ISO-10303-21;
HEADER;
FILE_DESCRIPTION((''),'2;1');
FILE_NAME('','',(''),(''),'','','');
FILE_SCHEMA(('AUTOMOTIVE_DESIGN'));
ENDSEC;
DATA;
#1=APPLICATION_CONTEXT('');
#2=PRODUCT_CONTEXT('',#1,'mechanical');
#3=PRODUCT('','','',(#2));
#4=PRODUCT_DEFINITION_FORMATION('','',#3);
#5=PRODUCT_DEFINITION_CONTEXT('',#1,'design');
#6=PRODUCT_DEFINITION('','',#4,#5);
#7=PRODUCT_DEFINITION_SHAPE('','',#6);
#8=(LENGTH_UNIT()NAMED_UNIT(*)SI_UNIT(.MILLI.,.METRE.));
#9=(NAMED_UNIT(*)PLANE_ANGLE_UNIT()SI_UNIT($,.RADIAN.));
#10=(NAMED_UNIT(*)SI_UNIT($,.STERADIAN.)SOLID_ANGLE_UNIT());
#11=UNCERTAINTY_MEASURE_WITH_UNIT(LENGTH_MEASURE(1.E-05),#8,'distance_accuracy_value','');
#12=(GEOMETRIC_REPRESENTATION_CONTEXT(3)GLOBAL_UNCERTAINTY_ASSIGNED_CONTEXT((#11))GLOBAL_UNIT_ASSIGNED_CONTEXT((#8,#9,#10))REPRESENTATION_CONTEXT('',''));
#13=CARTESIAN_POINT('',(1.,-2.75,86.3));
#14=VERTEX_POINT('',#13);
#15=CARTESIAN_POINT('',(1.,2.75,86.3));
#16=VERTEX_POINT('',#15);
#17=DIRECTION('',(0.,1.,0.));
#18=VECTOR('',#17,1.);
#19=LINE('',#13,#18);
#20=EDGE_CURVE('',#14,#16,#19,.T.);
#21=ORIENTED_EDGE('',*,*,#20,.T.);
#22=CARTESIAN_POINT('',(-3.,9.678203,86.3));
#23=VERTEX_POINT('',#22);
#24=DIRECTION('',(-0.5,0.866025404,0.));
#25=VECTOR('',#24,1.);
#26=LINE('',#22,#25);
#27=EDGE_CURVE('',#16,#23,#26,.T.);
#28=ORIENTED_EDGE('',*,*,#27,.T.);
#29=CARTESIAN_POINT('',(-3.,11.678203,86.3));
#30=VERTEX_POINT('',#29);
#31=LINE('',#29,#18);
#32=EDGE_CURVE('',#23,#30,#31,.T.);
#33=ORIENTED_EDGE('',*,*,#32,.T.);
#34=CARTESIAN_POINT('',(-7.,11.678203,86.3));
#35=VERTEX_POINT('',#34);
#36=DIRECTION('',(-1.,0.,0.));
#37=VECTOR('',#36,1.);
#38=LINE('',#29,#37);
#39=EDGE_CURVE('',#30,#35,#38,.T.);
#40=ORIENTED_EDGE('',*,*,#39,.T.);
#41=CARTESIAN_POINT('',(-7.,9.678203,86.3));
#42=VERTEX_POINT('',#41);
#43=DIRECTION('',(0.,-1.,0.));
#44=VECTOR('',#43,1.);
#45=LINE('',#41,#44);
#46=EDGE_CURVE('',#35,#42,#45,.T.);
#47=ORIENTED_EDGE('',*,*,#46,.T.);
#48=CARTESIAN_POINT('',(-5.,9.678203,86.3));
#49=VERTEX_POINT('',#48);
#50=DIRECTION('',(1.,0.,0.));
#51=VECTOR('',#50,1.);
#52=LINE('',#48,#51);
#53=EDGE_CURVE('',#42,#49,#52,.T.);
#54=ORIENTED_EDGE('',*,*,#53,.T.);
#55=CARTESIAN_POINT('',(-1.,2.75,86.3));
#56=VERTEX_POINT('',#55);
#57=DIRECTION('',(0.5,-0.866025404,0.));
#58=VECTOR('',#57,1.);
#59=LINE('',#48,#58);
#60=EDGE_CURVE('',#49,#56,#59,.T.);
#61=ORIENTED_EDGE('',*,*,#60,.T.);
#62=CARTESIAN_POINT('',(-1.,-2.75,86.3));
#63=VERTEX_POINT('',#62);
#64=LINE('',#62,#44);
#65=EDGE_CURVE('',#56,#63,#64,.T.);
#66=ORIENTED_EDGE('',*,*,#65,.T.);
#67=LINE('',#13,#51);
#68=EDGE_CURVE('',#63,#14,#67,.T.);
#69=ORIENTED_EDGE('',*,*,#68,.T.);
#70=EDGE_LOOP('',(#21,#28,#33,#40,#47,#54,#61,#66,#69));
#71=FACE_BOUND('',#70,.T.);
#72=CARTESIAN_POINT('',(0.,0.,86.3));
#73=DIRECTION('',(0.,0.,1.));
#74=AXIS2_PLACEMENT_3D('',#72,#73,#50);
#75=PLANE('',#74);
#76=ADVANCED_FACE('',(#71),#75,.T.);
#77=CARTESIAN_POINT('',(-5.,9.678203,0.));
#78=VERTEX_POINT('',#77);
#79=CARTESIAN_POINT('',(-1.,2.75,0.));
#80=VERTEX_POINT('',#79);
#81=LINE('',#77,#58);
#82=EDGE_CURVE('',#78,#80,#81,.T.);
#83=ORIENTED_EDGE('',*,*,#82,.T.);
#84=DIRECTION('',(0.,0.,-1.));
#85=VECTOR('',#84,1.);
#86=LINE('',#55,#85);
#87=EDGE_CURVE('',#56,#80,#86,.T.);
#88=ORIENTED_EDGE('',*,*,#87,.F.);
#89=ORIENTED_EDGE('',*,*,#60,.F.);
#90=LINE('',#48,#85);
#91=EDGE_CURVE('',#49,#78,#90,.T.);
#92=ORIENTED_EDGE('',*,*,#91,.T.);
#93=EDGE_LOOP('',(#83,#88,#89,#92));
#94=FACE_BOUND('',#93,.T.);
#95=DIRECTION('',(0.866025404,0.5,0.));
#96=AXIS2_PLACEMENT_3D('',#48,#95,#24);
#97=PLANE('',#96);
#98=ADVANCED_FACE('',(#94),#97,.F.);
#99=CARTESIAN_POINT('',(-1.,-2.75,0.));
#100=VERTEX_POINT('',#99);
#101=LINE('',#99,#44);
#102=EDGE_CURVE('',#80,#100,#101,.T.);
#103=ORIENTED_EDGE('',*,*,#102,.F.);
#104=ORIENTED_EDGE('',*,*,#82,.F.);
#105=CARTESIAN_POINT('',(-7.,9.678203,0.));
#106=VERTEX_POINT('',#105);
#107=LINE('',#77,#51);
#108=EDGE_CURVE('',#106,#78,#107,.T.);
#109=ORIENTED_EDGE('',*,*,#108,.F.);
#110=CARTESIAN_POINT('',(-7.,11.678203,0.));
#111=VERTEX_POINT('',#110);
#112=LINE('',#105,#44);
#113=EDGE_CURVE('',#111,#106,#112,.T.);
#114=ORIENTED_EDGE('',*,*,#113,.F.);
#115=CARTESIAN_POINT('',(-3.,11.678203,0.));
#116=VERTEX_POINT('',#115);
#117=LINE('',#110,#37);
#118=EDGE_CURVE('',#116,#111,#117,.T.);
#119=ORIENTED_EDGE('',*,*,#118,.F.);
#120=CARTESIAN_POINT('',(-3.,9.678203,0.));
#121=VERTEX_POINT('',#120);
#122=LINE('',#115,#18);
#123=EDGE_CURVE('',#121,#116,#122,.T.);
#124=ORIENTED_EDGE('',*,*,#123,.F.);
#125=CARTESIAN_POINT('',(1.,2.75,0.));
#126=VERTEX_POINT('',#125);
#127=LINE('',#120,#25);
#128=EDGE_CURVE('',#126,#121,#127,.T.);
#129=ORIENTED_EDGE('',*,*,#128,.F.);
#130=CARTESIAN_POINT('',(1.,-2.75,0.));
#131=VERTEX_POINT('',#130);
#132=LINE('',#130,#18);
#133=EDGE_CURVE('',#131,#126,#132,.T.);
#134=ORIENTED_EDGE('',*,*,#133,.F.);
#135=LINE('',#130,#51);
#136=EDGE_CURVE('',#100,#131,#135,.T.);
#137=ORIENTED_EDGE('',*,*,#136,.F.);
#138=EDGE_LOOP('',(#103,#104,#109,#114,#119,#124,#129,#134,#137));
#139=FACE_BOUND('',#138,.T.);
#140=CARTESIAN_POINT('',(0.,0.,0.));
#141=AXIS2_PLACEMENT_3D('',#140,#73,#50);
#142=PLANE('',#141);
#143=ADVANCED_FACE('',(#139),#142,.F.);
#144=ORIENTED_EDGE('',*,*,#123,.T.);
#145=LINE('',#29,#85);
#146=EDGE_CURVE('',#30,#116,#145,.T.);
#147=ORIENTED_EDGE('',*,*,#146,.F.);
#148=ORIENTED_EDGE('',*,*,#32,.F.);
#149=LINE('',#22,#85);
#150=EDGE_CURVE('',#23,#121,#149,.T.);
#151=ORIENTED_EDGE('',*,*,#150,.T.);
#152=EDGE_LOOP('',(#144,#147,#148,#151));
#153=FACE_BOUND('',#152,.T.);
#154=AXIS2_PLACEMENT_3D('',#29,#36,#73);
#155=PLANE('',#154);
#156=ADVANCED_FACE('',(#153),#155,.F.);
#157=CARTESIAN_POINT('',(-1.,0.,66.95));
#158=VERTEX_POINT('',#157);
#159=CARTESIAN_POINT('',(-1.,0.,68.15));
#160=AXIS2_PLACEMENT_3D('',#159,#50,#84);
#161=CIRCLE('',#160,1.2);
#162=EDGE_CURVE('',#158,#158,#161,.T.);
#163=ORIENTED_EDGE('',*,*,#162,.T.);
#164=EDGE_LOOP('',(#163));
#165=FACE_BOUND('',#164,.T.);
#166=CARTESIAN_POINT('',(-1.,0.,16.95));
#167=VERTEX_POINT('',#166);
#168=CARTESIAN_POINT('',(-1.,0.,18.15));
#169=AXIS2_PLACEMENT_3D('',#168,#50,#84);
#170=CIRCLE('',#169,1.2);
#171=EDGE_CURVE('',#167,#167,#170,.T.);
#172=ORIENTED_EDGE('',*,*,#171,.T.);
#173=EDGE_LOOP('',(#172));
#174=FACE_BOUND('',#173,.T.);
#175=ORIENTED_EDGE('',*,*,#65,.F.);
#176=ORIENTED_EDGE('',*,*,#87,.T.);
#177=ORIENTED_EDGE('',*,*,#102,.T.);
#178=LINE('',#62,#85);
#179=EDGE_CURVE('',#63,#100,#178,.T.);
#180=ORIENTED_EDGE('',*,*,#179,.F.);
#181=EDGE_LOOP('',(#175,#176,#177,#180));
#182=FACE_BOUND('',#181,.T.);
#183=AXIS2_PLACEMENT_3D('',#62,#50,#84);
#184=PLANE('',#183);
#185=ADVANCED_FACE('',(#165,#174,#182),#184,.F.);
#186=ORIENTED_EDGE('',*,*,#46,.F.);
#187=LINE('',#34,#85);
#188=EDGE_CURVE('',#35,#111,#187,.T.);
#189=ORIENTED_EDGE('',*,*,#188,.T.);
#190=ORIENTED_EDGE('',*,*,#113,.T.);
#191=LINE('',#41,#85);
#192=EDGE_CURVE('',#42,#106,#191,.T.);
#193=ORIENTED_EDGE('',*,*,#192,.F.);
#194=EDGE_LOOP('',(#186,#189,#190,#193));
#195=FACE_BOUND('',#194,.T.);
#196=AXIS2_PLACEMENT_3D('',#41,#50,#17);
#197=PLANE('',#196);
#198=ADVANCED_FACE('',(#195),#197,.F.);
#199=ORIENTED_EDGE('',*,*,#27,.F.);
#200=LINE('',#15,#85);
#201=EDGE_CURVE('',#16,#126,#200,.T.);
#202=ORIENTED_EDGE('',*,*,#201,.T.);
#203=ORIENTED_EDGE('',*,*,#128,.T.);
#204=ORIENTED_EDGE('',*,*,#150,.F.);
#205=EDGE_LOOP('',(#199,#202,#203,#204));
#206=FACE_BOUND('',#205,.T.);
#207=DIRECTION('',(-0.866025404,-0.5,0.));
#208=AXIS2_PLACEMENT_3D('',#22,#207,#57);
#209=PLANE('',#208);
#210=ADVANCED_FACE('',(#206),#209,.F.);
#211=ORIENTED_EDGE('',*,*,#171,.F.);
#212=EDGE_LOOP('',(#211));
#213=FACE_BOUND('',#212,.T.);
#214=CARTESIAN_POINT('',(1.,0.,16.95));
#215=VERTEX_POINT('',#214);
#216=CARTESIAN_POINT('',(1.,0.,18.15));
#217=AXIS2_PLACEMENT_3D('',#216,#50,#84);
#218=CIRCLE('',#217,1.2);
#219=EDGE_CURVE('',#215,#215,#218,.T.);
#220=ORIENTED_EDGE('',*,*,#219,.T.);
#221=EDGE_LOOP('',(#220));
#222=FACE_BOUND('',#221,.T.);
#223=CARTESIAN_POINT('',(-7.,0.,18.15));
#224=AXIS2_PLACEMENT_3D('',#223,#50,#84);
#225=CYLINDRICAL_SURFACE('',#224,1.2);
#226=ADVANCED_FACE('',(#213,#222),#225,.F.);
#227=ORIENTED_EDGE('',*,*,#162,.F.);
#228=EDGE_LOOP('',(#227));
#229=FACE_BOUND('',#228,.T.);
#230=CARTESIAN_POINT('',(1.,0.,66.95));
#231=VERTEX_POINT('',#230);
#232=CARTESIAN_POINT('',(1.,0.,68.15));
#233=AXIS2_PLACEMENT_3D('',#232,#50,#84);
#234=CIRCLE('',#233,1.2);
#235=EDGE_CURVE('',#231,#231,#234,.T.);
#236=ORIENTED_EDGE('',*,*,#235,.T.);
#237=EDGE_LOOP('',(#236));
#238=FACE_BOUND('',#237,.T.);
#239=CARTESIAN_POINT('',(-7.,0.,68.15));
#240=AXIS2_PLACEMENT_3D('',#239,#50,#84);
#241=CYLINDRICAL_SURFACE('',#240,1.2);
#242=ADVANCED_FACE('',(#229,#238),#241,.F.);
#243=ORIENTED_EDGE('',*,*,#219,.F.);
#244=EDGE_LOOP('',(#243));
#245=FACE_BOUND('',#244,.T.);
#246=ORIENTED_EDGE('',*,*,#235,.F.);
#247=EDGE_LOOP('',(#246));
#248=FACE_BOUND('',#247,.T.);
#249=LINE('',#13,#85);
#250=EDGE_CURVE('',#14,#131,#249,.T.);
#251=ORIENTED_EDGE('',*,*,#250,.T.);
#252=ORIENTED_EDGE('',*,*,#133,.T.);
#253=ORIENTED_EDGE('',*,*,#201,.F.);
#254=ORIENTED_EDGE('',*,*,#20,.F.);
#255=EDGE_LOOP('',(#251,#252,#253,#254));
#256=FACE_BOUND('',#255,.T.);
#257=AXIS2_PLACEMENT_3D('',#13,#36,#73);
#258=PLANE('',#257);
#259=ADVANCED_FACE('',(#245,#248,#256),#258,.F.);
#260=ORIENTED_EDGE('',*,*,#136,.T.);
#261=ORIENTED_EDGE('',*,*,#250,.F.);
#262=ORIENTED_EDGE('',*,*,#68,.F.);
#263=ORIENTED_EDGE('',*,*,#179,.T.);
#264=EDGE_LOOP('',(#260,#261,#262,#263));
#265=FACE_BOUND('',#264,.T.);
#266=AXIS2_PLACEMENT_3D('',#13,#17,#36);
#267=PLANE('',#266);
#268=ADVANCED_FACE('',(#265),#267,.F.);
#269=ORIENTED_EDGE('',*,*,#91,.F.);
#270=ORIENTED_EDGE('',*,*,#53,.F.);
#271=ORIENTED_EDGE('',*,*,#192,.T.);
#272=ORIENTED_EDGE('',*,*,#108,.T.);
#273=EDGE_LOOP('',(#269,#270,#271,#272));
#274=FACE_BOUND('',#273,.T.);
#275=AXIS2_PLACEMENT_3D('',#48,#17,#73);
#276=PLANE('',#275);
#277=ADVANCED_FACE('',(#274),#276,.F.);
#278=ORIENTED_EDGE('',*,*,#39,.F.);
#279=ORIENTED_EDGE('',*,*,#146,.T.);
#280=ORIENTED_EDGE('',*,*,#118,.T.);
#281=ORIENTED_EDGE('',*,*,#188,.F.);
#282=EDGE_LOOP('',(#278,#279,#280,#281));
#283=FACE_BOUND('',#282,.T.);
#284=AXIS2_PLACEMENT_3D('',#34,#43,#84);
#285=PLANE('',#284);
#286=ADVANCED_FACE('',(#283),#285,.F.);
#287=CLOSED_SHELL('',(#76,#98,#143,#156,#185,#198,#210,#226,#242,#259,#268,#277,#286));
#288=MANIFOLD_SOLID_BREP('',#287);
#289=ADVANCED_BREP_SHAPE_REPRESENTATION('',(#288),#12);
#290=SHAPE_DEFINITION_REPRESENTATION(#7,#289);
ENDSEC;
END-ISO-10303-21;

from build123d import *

# Parameters (mm, degrees)
EXTRUDE_1_DEPTH     = 86.3
SKETCH_2_R          = 1.2
CUT_EXTRUDE_1_DEPTH = 88.453247113


with BuildPart() as part:
    # ｽｹｯﾁ1 → ﾎﾞｽ - 押し出し1 (new body)
    with BuildSketch(Plane.XY):
        Polygon((-5, 9.67820323), (-1, 2.75), (-1, -2.75), (1, -2.75), (1, 2.75), (-3, 9.67820323), (-3, 11.67820323), (-5, 11.67820323), (-7, 11.67820323), (-7, 9.67820323), align=None)
    extrude(amount=EXTRUDE_1_DEPTH)

    # ｽｹｯﾁ2 → ｶｯﾄ - 押し出し1 (cut, through all)
    with BuildSketch(Plane(origin=(1, 0, 0), x_dir=(0, 0, -1), z_dir=(1, 0, 0))):
        with Locations((-68.15, 0)):
            Circle(SKETCH_2_R)
        with Locations((-18.15, 0)):
            Circle(SKETCH_2_R)
    extrude(amount=-CUT_EXTRUDE_1_DEPTH, mode=Mode.SUBTRACT)


solid = part.part
